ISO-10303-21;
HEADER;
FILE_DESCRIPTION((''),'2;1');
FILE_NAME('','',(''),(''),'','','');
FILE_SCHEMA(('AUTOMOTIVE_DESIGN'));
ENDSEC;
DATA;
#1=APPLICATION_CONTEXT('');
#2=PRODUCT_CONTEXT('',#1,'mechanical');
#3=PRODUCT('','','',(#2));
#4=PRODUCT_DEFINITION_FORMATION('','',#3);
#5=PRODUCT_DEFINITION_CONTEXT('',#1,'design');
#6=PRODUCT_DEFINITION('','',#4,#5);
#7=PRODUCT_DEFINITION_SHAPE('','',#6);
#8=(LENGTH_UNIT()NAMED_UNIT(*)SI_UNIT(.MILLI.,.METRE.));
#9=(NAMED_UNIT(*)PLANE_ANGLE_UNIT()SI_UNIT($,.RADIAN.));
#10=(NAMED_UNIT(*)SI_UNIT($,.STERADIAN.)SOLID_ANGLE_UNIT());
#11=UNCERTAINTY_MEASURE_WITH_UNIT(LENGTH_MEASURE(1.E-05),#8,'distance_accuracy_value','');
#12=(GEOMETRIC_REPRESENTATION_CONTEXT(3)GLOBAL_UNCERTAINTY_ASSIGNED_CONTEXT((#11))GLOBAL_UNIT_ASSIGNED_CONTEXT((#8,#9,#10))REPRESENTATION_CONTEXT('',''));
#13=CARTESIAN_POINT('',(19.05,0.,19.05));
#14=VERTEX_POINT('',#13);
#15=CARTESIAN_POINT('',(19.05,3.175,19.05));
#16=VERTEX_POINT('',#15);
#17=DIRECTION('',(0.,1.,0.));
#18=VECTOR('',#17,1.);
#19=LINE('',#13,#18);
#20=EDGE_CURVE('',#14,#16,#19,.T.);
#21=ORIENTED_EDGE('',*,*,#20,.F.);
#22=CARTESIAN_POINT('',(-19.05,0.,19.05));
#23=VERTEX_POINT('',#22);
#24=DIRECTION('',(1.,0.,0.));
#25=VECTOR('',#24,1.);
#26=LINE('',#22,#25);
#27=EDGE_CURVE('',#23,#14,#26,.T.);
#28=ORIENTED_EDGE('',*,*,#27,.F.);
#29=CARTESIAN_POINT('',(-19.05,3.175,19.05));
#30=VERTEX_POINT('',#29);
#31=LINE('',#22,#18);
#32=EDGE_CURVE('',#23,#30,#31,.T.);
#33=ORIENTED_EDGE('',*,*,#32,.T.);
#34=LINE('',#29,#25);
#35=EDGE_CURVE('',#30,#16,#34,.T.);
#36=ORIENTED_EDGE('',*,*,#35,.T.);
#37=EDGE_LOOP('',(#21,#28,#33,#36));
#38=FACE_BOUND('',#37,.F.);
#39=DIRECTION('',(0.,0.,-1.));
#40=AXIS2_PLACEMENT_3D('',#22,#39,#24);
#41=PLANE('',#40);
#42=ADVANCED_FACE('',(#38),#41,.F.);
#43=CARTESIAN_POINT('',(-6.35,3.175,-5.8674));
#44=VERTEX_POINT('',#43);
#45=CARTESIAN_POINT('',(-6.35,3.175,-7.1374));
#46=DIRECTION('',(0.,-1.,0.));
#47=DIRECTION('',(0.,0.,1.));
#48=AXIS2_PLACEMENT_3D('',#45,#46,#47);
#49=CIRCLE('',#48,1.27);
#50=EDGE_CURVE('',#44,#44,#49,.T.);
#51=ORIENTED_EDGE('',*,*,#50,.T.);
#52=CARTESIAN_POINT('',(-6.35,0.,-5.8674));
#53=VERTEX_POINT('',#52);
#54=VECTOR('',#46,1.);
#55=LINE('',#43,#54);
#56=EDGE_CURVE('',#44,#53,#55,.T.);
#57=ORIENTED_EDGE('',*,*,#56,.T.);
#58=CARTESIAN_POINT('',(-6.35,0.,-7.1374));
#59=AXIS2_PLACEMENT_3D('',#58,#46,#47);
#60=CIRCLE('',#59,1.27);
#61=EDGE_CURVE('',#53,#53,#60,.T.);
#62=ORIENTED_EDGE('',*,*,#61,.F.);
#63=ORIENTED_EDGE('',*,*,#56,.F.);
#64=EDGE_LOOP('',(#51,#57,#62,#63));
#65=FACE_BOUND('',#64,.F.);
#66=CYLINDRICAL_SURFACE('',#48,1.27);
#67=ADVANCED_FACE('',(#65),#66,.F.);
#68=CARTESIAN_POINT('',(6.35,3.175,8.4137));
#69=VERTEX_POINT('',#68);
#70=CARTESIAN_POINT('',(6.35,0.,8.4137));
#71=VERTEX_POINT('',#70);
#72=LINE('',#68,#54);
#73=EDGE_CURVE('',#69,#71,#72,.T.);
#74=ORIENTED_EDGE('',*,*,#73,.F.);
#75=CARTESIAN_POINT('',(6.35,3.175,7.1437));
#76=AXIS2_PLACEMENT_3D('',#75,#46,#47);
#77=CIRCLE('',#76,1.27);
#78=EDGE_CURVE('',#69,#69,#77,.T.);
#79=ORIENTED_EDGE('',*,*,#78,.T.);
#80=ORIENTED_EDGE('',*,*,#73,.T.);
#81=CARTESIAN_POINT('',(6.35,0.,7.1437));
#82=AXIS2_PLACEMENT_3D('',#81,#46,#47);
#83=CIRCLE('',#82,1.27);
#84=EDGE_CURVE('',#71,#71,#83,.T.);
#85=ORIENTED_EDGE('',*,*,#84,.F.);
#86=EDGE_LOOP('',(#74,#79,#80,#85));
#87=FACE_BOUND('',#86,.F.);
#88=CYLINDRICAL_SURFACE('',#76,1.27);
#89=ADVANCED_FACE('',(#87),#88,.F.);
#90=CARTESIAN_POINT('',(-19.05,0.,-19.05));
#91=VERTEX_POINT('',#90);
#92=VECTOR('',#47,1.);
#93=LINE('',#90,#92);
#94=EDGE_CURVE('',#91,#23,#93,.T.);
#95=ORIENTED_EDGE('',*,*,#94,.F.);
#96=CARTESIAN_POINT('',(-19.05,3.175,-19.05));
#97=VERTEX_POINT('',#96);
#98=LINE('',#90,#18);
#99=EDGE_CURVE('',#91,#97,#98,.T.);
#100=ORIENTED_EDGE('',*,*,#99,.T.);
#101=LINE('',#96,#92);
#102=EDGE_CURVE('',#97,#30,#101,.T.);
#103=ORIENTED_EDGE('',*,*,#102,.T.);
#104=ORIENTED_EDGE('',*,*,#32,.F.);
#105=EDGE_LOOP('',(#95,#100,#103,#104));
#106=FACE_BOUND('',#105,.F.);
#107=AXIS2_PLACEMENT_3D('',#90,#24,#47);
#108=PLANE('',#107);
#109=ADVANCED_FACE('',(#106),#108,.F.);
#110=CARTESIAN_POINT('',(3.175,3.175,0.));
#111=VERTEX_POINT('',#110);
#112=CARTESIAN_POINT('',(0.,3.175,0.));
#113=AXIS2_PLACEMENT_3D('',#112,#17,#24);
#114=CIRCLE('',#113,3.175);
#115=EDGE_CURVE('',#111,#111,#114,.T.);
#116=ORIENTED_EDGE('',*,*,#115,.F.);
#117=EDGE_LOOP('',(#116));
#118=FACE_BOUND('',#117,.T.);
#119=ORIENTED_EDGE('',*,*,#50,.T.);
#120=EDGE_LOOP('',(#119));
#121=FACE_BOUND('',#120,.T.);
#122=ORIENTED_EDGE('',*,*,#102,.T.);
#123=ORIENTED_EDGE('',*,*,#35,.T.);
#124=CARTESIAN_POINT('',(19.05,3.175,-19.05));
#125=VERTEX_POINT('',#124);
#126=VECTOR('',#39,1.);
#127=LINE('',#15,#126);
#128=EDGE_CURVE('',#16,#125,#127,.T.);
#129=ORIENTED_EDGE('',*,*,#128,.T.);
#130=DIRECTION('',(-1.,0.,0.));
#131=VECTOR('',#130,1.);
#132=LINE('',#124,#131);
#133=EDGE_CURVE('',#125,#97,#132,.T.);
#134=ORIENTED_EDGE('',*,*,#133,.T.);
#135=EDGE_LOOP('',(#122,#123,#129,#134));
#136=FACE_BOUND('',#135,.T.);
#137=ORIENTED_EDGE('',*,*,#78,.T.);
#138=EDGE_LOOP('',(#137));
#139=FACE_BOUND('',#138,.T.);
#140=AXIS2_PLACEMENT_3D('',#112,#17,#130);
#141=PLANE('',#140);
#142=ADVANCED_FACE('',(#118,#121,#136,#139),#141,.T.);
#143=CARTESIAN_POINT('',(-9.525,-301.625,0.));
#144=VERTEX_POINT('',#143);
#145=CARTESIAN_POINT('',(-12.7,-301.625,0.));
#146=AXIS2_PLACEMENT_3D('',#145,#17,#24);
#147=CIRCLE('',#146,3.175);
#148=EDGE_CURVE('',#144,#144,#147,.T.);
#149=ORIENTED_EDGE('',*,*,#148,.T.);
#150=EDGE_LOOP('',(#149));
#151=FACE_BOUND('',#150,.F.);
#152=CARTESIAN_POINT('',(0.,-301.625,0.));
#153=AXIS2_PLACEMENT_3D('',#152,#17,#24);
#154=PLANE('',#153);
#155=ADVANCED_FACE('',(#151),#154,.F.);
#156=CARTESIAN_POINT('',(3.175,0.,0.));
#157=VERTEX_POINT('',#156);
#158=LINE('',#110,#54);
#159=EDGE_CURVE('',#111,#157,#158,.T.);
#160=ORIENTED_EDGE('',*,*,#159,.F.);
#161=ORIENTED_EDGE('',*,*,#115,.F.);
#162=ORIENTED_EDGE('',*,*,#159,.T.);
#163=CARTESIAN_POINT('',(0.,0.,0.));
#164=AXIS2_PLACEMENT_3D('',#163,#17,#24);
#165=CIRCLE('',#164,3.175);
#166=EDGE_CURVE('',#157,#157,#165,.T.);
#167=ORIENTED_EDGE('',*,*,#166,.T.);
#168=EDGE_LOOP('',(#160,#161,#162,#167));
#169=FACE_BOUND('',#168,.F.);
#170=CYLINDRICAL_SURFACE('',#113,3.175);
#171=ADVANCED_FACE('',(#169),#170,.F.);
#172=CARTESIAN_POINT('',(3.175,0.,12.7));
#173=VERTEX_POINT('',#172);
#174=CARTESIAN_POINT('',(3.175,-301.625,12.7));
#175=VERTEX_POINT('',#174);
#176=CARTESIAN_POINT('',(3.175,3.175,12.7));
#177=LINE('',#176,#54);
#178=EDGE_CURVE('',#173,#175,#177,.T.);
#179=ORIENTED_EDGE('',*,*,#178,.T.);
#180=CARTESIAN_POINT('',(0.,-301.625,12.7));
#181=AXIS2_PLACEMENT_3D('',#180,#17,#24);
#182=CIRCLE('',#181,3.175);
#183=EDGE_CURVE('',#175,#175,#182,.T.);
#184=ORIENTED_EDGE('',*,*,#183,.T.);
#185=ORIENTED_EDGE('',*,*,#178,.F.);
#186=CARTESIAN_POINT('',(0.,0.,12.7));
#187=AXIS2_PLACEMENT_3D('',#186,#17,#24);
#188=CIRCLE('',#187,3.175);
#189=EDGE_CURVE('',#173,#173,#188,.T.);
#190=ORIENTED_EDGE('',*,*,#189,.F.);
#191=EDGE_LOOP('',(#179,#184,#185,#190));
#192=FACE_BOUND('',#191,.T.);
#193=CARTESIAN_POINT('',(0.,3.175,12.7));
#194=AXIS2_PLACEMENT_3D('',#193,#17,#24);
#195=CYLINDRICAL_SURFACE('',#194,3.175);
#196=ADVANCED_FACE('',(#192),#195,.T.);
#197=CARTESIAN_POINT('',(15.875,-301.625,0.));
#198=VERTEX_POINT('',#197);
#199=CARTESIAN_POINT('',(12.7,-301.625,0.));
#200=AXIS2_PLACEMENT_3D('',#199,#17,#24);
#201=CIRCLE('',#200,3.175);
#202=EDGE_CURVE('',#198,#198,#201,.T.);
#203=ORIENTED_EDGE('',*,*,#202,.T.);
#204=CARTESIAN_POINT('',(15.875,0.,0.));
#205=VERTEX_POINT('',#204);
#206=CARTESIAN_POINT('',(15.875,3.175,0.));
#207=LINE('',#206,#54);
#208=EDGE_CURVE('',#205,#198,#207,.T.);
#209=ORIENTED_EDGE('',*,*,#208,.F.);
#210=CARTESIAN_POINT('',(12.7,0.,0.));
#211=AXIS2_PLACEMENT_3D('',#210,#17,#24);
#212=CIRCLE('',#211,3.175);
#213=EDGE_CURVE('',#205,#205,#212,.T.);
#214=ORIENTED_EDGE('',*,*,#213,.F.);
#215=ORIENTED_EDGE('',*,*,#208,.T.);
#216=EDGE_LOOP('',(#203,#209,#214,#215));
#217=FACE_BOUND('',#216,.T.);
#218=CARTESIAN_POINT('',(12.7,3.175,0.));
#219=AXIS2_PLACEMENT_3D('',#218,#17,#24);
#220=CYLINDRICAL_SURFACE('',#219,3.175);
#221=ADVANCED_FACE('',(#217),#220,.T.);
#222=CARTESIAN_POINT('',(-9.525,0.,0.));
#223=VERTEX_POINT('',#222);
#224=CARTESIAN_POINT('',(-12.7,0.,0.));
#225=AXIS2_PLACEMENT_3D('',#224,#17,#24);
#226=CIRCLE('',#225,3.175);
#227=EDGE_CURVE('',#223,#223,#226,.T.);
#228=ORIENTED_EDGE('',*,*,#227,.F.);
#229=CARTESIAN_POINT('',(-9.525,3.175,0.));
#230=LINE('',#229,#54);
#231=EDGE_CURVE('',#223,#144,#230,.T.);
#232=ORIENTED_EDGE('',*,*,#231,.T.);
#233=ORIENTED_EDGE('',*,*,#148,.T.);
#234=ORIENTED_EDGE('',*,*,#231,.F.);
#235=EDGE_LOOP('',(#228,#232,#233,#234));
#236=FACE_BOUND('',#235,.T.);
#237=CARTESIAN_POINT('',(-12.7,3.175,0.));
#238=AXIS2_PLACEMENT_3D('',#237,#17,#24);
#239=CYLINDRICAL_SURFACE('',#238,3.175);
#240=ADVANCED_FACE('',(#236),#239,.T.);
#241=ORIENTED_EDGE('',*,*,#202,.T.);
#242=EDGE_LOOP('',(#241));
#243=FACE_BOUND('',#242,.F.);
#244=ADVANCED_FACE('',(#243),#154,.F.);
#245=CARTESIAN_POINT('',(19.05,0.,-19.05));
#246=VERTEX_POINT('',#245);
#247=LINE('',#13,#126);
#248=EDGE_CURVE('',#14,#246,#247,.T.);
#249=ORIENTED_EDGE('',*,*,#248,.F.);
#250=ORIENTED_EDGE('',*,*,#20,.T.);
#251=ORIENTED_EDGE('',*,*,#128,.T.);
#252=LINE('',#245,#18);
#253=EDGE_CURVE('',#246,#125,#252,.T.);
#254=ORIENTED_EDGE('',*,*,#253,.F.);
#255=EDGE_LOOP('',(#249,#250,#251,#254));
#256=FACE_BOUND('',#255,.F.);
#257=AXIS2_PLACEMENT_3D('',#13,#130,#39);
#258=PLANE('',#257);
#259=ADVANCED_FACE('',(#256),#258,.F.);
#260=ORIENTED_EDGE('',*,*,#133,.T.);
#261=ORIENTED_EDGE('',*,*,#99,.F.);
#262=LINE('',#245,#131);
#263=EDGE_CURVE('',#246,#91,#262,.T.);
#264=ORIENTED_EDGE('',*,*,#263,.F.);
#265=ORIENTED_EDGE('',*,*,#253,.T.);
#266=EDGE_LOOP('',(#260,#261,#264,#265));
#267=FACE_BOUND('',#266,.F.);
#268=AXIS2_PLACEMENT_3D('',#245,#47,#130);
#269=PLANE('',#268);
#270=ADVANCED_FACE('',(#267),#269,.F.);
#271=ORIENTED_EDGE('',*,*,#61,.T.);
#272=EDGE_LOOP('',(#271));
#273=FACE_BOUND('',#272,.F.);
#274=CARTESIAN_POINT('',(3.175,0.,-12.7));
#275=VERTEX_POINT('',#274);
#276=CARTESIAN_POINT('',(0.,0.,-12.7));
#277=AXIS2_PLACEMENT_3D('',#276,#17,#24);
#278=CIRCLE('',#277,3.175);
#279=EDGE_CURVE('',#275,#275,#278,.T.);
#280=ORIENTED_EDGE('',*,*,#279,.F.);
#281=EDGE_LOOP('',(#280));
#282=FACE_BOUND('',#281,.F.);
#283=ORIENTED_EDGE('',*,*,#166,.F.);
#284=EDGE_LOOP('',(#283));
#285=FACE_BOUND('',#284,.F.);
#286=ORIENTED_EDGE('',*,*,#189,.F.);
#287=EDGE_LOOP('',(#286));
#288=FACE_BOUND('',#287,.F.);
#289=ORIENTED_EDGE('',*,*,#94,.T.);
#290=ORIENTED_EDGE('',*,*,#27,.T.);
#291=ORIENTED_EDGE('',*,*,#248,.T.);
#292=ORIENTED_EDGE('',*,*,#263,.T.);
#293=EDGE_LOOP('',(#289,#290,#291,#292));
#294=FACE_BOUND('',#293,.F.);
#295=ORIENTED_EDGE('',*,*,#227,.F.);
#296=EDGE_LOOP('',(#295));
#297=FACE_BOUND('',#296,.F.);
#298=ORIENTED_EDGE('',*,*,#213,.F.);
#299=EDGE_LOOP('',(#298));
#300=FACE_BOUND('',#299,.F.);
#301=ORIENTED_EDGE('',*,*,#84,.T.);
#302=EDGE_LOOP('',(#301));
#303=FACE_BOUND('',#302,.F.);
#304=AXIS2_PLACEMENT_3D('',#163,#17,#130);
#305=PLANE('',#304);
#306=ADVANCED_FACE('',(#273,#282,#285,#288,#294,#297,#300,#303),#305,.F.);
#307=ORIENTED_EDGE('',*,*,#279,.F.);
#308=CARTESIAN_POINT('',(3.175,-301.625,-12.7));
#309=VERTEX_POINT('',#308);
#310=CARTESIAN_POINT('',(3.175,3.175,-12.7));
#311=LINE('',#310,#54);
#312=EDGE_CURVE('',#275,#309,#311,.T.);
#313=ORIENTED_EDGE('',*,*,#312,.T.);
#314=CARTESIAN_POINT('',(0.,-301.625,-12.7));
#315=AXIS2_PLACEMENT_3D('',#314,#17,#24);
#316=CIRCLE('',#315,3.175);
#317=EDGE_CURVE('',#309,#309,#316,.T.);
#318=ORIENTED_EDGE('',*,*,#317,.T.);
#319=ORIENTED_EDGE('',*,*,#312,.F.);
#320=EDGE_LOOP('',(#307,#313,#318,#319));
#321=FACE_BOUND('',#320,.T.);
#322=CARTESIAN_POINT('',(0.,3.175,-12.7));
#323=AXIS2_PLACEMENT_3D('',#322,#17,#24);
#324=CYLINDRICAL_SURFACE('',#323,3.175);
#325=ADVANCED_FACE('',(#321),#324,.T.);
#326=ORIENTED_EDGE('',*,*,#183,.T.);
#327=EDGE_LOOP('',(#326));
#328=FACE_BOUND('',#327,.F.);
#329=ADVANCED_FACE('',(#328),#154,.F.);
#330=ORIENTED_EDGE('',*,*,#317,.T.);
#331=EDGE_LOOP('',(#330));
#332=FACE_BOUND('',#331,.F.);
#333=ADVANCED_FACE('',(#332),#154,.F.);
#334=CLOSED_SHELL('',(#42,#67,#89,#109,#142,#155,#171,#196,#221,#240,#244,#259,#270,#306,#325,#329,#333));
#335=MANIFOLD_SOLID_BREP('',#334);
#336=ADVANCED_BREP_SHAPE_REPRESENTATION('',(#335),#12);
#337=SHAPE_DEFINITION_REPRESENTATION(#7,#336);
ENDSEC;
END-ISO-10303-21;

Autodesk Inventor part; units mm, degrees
ref_plane "YZ Plane" through (0, 0, 0) normal (1, 0, 0) x (0, 1, 0)
ref_plane "XZ Plane" through (0, 0, 0) normal (0, 1, 0) x (-1, 0, 0)
ref_plane "XY Plane" through (0, 0, 0) normal (0, 0, 1) x (1, 0, 0)
sketch "Sketch1" plane through (0, 0, 0) normal (0, 1, 0) x (-1, 0, 0)
  line L0 (19.05, 19.05) -> (-19.05, 19.05)
  line L1 (-19.05, 19.05) -> (-19.05, -19.05)
  line L2 (-19.05, -19.05) -> (19.05, -19.05)
  line L3 (19.05, -19.05) -> (19.05, 19.05)
  point P0 (0, 0)
  dimension "d0" = 38.1
  dimension "d1" = 38.1
  dimension "d77" = 19.05
  dimension "d78" = 19.05
extrude "Extrusion1" add sketch "Sketch1" along normal blind 3.175
hole "Hole5" at (-6.35, 3.175, -7.1374) direction (0, -1, 0) diameter 2.54 depth 3.175
hole "Hole6" at (6.35, 3.175, 7.1437) direction (0, -1, 0) diameter 2.54 depth 3.175
sketch "Sketch2" plane through (0, 3.175, 0) normal (0, 1, 0) x (1, 0, 0)
  circle A0 centre (0, 0) radius 3.175
  dimension "d58" = 6.35
extrude "Extrusion2" cut sketch "Sketch2" against normal blind 304.8
sketch "Sketch7" plane through (0, 3.175, 0) normal (0, 1, 0) x (1, 0, 0)
  circle A0 centre (0, 0) radius 19.05
  circle A1 centre (0, 12.7) radius 3.175
  circle A2 centre (0, 0) radius 12.7
  circle A3 centre (0, 0) radius 3.175
  circle A4 centre (-12.7, 0) radius 3.175
  circle A5 centre (0, -12.7) radius 3.175
  circle A6 centre (12.7, 0) radius 3.175
  dimension "d71" = 38.1
  dimension "d72" = 6.35
  dimension "d73" = 25.4
  dimension "d74" = 12.7
  dimension "d75" = 6.35
  dimension "d76" = 360
extrude "Extrusion7" add sketch "Sketch7" against normal blind 304.8 contours A1 A2 | A2 A1 | A4 A2 | A2 A4 | A6 A2 | A2 A6 | A5 A2 | A2 A5
properties part number "Shield_1"
